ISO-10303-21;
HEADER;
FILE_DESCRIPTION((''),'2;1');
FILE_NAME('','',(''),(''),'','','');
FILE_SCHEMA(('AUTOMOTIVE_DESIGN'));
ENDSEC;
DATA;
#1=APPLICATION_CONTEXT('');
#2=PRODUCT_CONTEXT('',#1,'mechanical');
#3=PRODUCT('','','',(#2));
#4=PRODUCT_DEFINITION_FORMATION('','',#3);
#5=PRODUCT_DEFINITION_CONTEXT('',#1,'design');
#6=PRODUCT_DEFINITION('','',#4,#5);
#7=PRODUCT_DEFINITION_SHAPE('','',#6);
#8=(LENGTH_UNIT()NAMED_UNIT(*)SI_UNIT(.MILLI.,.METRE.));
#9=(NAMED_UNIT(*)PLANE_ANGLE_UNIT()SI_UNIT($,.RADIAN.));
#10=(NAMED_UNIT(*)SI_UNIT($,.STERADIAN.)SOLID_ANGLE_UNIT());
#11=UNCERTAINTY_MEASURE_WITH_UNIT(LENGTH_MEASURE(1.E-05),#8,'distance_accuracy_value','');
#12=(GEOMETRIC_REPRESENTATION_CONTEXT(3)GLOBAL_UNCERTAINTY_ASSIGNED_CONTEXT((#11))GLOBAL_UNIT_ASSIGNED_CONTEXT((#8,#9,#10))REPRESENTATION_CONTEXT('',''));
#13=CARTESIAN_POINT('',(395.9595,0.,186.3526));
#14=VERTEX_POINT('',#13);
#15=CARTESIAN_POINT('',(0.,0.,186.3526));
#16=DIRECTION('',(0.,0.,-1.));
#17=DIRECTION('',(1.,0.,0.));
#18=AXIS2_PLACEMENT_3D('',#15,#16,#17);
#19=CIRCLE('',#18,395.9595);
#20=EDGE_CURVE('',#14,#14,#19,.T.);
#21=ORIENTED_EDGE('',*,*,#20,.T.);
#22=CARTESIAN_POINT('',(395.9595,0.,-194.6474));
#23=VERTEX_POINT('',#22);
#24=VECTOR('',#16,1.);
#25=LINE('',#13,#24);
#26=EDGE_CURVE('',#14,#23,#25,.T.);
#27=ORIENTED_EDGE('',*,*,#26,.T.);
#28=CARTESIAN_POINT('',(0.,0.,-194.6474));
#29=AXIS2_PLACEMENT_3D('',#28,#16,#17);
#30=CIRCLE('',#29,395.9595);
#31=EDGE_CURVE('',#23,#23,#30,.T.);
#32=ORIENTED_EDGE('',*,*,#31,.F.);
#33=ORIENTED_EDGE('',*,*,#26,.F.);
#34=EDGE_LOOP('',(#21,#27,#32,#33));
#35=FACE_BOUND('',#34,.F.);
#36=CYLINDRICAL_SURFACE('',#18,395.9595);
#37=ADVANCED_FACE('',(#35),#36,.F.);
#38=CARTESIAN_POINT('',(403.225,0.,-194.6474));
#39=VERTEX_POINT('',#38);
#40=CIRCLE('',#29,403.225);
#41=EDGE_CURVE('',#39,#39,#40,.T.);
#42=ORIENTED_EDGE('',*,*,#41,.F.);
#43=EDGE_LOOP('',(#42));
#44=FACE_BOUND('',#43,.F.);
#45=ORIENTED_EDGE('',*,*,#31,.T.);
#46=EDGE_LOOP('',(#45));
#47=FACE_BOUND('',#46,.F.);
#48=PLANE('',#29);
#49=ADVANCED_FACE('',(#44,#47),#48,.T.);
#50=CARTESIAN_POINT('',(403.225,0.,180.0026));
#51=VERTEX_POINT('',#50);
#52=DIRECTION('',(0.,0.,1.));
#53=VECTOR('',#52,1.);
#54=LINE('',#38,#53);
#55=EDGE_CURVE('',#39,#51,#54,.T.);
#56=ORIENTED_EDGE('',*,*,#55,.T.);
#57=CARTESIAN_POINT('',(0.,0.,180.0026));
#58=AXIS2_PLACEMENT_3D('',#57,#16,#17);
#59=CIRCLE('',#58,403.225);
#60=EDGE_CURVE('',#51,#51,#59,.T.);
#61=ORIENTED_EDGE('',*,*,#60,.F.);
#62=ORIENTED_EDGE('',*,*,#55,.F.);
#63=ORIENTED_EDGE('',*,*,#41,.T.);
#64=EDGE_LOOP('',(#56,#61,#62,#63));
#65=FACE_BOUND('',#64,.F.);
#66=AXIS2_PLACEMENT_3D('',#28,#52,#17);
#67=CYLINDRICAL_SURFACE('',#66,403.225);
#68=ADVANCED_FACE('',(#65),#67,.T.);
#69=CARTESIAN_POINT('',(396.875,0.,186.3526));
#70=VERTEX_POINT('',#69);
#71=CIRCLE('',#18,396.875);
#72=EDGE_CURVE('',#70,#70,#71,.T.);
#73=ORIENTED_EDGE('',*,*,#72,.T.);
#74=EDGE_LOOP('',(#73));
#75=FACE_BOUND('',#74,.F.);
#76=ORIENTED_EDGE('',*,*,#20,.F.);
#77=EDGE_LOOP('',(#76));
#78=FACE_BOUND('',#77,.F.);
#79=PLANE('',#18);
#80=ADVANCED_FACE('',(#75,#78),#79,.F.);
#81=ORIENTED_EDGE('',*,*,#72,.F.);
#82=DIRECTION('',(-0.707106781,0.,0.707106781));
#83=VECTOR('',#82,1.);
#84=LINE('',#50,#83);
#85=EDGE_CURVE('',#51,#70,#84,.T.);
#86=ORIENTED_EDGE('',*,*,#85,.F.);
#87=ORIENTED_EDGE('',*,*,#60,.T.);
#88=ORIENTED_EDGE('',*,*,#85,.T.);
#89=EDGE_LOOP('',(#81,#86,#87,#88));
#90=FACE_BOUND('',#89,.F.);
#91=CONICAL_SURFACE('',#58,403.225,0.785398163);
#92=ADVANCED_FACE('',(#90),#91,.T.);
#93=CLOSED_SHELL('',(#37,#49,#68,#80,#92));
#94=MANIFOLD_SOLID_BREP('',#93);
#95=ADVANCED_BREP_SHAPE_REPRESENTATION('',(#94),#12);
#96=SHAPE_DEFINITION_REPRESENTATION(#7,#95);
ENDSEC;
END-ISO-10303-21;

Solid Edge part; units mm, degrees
sketch "Sketch1" plane through (0, 0, 0) normal (0, -1, 0) x (1, 0, 0)
  line L0 (403.225, -194.6474) -> (403.225, 186.3526)
  line L1 (403.225, 186.3526) -> (395.9595, 186.3526)
  line L2 (395.9595, 186.3526) -> (395.9595, -194.6474)
  line L3 (395.9595, -194.6474) -> (403.225, -194.6474)
revolve "RevolvedProtrusion1" add sketch "Sketch1" angle 360 about axis through (0, 0, 262.5526) along (0, 0, -1)
chamfer "Chamfer1" distance 6.35 angle 45 1 edges at (-403.225, 0, 186.3526)
